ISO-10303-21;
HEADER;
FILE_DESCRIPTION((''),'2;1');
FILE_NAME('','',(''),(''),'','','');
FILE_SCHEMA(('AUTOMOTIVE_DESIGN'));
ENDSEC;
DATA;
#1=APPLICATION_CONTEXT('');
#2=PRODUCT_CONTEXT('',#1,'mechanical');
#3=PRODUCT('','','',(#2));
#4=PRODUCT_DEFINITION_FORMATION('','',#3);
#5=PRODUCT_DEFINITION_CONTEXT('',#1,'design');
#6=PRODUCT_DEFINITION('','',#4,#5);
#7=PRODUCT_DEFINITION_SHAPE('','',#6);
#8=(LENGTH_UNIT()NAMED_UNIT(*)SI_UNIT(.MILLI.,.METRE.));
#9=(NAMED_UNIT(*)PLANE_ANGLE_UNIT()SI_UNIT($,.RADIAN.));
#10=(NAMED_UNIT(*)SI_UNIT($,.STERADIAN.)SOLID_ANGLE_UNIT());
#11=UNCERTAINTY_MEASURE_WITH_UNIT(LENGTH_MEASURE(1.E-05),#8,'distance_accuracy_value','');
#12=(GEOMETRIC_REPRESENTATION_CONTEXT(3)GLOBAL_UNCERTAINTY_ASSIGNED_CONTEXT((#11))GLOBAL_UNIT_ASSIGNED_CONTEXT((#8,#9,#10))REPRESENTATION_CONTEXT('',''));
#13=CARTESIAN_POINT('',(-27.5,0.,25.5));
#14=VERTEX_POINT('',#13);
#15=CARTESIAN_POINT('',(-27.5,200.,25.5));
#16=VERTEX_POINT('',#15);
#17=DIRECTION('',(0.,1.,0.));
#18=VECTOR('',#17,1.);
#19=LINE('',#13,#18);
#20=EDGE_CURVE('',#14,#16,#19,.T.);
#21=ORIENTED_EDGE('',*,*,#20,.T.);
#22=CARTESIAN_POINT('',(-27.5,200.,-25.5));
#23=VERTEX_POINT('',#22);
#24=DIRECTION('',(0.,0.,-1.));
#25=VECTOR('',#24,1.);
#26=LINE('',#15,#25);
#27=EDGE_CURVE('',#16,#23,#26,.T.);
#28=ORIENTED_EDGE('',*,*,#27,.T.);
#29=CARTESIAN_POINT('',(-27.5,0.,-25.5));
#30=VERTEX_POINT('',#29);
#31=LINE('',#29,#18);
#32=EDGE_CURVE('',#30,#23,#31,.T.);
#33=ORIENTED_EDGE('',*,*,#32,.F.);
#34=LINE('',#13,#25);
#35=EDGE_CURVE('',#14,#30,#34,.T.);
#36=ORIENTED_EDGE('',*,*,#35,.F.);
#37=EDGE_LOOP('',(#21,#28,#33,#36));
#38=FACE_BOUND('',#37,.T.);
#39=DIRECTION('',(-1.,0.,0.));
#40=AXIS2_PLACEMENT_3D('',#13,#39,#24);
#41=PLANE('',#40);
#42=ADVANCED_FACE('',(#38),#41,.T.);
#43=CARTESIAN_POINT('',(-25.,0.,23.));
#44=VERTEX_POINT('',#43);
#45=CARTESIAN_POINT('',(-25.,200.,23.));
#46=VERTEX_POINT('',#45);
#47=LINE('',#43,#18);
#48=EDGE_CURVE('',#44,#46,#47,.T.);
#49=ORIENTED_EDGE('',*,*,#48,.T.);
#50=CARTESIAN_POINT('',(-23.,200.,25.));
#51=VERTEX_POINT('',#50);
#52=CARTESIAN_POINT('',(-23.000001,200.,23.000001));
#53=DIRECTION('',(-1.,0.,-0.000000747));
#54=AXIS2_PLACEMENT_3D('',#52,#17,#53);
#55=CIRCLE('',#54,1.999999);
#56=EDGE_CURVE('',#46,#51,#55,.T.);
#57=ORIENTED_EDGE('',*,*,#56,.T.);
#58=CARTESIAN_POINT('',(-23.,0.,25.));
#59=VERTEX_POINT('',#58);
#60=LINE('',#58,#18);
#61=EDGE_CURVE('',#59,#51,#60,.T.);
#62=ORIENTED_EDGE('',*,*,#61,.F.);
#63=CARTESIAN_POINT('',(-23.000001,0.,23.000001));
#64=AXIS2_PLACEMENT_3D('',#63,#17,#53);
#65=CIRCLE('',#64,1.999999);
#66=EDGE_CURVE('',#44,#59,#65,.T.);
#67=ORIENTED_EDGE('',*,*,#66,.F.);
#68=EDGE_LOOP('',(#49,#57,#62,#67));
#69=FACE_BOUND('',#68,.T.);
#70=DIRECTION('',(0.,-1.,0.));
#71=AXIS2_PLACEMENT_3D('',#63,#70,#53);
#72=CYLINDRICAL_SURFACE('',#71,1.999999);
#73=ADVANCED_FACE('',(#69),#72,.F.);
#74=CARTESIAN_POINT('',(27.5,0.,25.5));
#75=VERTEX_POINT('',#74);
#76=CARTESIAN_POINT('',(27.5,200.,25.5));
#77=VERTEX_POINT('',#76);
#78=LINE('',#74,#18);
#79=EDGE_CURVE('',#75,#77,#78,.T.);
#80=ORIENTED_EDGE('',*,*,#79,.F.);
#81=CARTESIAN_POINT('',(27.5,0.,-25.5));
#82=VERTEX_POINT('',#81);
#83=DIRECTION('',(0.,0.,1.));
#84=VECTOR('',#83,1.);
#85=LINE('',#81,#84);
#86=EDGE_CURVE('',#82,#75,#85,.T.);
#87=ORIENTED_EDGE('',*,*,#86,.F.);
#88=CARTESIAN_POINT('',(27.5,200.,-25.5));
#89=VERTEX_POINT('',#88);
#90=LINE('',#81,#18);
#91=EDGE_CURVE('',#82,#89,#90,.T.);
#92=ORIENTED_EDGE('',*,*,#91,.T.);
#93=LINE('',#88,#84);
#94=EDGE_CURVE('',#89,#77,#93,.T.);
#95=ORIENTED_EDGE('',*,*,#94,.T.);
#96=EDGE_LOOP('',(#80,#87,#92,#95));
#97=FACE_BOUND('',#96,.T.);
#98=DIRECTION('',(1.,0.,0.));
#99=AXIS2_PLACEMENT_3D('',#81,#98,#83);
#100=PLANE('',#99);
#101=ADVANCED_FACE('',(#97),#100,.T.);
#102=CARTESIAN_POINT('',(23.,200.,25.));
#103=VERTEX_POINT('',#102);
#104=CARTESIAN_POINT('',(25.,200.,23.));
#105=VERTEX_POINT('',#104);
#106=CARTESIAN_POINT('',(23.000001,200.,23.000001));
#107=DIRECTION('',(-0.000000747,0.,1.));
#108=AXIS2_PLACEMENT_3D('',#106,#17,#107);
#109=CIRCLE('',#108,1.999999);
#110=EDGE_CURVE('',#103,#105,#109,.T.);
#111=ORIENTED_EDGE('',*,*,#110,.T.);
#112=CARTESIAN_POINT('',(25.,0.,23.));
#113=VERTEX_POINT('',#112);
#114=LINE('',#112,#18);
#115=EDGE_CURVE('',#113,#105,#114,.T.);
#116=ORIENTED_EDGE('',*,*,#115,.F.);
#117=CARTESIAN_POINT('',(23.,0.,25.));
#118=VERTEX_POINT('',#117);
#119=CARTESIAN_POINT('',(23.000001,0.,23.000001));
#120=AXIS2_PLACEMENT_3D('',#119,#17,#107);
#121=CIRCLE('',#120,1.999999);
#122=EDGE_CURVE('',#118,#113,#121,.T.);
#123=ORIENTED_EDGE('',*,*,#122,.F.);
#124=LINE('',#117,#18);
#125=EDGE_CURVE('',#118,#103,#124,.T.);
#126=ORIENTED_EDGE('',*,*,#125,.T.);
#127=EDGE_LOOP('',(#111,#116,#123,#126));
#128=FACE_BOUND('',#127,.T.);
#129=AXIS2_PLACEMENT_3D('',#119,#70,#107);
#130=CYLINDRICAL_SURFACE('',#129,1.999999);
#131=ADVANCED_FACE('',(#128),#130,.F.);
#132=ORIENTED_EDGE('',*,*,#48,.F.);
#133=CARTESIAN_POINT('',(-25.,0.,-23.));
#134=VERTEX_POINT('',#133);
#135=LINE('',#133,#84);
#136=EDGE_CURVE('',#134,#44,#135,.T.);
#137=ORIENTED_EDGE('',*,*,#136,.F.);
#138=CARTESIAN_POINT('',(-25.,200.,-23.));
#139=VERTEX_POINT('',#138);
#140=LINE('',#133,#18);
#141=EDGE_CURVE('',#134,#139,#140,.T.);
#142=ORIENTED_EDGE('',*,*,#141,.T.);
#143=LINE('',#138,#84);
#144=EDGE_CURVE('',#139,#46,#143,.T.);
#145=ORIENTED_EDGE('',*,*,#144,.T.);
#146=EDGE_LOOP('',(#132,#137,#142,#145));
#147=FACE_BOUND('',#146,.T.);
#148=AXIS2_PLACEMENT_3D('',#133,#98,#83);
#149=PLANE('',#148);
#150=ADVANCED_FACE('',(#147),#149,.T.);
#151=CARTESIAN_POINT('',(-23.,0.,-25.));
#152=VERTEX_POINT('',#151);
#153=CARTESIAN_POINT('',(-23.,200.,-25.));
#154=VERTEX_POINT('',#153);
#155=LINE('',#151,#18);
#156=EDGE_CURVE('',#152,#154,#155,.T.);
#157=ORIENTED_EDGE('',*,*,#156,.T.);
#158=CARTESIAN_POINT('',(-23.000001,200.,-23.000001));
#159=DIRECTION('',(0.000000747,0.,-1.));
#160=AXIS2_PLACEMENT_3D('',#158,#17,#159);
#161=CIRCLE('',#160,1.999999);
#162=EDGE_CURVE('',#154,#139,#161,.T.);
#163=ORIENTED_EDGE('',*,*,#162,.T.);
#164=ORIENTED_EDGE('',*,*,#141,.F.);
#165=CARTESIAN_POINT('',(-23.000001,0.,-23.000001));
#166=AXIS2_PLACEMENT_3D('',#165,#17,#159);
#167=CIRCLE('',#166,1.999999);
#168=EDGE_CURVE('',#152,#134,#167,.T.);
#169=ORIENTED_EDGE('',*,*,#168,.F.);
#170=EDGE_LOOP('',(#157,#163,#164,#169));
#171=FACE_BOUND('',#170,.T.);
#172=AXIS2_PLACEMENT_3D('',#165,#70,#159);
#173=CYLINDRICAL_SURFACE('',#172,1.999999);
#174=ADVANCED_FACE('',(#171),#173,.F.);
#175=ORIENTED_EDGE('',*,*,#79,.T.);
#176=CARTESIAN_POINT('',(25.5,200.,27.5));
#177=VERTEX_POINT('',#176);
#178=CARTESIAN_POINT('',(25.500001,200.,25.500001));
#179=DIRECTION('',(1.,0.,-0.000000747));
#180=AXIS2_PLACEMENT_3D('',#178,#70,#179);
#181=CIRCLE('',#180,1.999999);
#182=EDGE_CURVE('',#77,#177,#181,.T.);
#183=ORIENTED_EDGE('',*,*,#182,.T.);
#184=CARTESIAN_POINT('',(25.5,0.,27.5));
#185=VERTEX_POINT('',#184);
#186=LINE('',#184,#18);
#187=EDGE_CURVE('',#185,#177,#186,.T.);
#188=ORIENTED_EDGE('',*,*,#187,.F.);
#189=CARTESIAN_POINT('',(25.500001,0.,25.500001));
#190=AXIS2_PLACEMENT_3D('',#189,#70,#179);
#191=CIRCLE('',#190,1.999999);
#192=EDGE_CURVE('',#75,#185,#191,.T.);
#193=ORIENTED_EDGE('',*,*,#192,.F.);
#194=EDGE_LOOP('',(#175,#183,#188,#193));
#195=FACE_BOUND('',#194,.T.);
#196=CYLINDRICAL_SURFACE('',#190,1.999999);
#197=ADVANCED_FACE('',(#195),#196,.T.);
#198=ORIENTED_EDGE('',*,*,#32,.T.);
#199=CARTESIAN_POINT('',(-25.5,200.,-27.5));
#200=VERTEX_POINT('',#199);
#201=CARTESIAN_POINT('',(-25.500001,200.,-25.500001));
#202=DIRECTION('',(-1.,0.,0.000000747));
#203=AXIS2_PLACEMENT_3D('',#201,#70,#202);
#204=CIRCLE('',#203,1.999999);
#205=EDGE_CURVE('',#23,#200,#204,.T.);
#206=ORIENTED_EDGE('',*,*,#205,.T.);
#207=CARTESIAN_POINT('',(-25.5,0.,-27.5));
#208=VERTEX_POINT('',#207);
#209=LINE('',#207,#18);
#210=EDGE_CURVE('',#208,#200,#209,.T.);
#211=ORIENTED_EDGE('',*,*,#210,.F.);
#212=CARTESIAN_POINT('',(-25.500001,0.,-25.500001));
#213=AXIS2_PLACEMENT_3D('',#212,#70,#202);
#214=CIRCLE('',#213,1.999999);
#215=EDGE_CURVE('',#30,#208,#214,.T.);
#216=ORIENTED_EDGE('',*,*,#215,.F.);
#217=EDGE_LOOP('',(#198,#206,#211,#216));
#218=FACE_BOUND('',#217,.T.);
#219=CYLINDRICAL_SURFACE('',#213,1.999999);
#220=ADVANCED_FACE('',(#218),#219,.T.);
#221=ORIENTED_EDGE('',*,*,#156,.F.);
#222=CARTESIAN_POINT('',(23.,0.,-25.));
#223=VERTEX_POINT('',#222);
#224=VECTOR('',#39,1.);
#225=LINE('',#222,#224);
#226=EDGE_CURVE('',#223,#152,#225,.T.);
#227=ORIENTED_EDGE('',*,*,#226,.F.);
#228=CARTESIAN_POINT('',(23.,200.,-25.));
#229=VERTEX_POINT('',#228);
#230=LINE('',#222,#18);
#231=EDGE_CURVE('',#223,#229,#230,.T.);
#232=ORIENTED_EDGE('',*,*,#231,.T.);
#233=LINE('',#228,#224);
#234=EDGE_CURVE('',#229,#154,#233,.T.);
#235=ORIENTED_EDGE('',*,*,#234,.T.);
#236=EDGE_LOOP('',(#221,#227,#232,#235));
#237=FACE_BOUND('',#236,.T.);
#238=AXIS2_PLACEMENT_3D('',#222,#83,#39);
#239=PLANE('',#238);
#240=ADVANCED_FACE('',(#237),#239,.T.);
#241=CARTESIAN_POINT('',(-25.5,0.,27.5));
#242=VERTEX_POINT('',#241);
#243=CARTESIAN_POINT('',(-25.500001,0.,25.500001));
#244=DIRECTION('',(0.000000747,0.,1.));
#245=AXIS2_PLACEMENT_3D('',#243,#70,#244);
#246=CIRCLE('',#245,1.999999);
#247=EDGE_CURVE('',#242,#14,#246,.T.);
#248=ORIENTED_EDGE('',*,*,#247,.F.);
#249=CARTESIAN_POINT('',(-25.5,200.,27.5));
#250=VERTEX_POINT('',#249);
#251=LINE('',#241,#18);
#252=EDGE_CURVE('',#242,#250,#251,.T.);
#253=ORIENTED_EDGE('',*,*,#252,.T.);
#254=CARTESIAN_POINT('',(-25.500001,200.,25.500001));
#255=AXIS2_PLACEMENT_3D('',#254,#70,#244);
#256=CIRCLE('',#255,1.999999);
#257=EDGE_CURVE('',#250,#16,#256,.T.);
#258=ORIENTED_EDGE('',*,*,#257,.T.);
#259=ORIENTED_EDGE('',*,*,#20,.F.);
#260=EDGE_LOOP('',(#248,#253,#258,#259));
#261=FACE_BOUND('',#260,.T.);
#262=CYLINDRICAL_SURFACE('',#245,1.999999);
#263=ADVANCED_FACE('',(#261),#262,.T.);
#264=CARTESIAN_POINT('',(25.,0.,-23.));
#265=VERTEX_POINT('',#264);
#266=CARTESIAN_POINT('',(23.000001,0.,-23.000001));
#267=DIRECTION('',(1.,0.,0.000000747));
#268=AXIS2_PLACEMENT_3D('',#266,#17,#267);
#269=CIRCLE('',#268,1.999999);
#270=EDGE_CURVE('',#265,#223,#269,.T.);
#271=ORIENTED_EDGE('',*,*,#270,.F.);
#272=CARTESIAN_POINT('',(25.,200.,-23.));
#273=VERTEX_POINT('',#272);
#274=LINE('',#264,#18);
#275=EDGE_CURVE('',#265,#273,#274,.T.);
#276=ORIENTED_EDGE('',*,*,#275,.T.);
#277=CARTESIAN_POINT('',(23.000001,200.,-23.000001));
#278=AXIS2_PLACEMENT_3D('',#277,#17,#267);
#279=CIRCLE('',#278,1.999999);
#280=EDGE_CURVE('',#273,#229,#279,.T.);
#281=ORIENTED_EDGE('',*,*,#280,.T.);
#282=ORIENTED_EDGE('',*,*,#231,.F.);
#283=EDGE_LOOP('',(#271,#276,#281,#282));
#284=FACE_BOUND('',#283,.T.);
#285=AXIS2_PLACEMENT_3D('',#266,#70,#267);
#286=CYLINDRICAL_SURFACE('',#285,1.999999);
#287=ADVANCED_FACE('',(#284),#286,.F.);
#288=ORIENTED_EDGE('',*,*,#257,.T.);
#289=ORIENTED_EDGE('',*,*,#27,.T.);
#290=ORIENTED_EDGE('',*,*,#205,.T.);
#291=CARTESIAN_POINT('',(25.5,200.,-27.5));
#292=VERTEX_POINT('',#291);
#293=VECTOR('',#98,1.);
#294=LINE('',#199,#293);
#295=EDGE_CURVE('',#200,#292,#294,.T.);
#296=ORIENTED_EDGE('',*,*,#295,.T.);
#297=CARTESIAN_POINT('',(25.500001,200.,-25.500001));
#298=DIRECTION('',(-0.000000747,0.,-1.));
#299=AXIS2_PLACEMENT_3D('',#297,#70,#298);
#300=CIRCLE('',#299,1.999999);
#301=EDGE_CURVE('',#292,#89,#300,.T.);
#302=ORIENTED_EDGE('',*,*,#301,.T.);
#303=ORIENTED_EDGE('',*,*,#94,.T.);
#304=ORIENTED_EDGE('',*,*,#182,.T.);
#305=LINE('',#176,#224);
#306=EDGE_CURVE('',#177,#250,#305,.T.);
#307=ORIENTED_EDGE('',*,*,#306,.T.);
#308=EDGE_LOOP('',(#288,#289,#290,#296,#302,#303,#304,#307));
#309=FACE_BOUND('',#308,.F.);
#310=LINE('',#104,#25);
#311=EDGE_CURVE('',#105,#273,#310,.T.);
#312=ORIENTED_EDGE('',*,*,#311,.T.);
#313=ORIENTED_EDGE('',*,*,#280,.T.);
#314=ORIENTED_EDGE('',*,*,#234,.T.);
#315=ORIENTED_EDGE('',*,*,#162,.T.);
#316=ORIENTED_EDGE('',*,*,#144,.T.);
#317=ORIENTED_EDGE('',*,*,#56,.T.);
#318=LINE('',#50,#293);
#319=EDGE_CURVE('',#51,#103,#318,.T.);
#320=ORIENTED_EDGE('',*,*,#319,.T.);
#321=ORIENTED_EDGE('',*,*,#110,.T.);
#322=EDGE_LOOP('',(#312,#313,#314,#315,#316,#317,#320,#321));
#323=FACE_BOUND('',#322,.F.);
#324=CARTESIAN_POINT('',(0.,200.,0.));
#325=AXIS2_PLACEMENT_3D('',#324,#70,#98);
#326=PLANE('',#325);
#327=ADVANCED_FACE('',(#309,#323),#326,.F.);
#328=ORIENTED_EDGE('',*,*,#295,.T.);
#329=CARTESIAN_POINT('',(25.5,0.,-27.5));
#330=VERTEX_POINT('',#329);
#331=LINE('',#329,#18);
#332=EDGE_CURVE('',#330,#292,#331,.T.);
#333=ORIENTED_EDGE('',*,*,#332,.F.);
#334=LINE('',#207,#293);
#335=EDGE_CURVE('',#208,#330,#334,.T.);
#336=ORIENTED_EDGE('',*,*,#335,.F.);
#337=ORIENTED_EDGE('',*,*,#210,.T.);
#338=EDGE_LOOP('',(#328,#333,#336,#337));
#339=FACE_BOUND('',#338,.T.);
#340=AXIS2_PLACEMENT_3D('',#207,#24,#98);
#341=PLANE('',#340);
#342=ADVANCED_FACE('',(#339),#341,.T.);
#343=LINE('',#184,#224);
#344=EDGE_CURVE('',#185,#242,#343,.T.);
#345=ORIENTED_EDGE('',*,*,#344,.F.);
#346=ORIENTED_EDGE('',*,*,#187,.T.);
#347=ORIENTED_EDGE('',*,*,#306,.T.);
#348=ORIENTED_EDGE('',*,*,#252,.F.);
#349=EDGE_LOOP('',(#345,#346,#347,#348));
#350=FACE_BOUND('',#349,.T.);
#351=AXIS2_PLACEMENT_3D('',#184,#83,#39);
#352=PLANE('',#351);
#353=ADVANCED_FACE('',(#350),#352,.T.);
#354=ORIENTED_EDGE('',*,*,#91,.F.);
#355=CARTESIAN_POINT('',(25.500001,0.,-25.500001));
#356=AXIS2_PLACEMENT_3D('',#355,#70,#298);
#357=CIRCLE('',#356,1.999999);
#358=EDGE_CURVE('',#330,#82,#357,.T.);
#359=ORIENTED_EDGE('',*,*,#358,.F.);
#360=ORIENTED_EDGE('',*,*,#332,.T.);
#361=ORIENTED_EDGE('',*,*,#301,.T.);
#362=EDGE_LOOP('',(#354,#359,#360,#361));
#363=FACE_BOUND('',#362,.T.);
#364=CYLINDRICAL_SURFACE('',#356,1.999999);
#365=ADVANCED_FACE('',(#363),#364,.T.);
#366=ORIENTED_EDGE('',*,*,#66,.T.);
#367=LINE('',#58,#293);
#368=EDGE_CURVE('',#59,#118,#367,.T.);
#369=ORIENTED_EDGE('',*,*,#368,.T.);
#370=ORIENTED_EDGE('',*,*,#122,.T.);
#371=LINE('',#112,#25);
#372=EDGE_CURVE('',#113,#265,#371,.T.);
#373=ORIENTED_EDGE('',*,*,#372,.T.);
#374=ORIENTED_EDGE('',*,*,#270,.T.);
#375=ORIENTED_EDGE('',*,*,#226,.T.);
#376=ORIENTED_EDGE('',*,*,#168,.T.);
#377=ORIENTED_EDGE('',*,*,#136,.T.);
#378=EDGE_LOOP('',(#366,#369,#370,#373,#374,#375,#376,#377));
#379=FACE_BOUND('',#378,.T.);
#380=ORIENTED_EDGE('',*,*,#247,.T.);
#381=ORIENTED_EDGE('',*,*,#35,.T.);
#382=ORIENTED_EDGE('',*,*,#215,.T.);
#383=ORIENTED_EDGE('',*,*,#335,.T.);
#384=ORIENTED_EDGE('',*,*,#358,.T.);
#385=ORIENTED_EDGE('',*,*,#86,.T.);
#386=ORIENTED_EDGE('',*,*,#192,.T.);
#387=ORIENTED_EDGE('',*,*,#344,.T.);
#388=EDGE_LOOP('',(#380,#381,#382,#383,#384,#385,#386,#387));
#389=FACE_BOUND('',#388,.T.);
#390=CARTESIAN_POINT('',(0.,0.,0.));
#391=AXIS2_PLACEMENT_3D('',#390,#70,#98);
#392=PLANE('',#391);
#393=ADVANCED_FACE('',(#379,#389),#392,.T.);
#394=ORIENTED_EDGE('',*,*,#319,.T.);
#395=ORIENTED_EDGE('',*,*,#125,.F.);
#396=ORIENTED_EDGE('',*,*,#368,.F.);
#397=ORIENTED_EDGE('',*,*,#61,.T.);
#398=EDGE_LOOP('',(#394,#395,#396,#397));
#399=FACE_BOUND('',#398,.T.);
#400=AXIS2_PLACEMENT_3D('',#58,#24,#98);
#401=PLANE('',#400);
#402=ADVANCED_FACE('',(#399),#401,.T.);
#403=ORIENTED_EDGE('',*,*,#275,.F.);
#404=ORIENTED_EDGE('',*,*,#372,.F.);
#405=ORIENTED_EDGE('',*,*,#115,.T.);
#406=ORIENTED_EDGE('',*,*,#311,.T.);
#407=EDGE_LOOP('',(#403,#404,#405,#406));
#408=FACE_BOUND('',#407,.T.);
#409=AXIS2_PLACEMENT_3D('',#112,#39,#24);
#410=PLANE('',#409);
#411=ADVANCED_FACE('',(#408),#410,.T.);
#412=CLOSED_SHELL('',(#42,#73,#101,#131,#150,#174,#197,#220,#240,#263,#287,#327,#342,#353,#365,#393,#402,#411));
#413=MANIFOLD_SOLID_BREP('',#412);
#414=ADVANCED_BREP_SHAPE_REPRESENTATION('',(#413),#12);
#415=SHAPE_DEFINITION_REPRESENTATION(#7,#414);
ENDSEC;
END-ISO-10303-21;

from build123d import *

# Parameters (mm, degrees)
F1_DEPTH = 200


with BuildPart() as f1:
    # F0 (on Front) → F1 (new body)
    with BuildSketch(Plane.XZ):
        with BuildLine():
            ThreePointArc((27.5, 25.5), (26.914214, 26.914214), (25.5, 27.5))
            Line((25.5, 27.5), (-25.5, 27.5))
            ThreePointArc((-25.5, 27.5), (-26.914214, 26.914214), (-27.5, 25.5))
            Line((-27.5, 25.5), (-27.5, -25.5))
            ThreePointArc((-27.5, -25.5), (-26.914214, -26.914214), (-25.5, -27.5))
            Line((-25.5, -27.5), (25.5, -27.5))
            ThreePointArc((25.5, -27.5), (26.914214, -26.914214), (27.5, -25.5))
            Line((27.5, -25.5), (27.5, 25.5))
        make_face()
        with BuildLine():
            Line((-23, 25), (23, 25))
            ThreePointArc((23, 25), (24.414214, 24.414214), (25, 23))
            Line((25, 23), (25, -23))
            ThreePointArc((25, -23), (24.414214, -24.414214), (23, -25))
            Line((23, -25), (-23, -25))
            ThreePointArc((-23, -25), (-24.414214, -24.414214), (-25, -23))
            Line((-25, -23), (-25, 23))
            ThreePointArc((-25, 23), (-24.414214, 24.414214), (-23, 25))
        make_face(mode=Mode.SUBTRACT)
    extrude(amount=-F1_DEPTH)


solid = f1.part
